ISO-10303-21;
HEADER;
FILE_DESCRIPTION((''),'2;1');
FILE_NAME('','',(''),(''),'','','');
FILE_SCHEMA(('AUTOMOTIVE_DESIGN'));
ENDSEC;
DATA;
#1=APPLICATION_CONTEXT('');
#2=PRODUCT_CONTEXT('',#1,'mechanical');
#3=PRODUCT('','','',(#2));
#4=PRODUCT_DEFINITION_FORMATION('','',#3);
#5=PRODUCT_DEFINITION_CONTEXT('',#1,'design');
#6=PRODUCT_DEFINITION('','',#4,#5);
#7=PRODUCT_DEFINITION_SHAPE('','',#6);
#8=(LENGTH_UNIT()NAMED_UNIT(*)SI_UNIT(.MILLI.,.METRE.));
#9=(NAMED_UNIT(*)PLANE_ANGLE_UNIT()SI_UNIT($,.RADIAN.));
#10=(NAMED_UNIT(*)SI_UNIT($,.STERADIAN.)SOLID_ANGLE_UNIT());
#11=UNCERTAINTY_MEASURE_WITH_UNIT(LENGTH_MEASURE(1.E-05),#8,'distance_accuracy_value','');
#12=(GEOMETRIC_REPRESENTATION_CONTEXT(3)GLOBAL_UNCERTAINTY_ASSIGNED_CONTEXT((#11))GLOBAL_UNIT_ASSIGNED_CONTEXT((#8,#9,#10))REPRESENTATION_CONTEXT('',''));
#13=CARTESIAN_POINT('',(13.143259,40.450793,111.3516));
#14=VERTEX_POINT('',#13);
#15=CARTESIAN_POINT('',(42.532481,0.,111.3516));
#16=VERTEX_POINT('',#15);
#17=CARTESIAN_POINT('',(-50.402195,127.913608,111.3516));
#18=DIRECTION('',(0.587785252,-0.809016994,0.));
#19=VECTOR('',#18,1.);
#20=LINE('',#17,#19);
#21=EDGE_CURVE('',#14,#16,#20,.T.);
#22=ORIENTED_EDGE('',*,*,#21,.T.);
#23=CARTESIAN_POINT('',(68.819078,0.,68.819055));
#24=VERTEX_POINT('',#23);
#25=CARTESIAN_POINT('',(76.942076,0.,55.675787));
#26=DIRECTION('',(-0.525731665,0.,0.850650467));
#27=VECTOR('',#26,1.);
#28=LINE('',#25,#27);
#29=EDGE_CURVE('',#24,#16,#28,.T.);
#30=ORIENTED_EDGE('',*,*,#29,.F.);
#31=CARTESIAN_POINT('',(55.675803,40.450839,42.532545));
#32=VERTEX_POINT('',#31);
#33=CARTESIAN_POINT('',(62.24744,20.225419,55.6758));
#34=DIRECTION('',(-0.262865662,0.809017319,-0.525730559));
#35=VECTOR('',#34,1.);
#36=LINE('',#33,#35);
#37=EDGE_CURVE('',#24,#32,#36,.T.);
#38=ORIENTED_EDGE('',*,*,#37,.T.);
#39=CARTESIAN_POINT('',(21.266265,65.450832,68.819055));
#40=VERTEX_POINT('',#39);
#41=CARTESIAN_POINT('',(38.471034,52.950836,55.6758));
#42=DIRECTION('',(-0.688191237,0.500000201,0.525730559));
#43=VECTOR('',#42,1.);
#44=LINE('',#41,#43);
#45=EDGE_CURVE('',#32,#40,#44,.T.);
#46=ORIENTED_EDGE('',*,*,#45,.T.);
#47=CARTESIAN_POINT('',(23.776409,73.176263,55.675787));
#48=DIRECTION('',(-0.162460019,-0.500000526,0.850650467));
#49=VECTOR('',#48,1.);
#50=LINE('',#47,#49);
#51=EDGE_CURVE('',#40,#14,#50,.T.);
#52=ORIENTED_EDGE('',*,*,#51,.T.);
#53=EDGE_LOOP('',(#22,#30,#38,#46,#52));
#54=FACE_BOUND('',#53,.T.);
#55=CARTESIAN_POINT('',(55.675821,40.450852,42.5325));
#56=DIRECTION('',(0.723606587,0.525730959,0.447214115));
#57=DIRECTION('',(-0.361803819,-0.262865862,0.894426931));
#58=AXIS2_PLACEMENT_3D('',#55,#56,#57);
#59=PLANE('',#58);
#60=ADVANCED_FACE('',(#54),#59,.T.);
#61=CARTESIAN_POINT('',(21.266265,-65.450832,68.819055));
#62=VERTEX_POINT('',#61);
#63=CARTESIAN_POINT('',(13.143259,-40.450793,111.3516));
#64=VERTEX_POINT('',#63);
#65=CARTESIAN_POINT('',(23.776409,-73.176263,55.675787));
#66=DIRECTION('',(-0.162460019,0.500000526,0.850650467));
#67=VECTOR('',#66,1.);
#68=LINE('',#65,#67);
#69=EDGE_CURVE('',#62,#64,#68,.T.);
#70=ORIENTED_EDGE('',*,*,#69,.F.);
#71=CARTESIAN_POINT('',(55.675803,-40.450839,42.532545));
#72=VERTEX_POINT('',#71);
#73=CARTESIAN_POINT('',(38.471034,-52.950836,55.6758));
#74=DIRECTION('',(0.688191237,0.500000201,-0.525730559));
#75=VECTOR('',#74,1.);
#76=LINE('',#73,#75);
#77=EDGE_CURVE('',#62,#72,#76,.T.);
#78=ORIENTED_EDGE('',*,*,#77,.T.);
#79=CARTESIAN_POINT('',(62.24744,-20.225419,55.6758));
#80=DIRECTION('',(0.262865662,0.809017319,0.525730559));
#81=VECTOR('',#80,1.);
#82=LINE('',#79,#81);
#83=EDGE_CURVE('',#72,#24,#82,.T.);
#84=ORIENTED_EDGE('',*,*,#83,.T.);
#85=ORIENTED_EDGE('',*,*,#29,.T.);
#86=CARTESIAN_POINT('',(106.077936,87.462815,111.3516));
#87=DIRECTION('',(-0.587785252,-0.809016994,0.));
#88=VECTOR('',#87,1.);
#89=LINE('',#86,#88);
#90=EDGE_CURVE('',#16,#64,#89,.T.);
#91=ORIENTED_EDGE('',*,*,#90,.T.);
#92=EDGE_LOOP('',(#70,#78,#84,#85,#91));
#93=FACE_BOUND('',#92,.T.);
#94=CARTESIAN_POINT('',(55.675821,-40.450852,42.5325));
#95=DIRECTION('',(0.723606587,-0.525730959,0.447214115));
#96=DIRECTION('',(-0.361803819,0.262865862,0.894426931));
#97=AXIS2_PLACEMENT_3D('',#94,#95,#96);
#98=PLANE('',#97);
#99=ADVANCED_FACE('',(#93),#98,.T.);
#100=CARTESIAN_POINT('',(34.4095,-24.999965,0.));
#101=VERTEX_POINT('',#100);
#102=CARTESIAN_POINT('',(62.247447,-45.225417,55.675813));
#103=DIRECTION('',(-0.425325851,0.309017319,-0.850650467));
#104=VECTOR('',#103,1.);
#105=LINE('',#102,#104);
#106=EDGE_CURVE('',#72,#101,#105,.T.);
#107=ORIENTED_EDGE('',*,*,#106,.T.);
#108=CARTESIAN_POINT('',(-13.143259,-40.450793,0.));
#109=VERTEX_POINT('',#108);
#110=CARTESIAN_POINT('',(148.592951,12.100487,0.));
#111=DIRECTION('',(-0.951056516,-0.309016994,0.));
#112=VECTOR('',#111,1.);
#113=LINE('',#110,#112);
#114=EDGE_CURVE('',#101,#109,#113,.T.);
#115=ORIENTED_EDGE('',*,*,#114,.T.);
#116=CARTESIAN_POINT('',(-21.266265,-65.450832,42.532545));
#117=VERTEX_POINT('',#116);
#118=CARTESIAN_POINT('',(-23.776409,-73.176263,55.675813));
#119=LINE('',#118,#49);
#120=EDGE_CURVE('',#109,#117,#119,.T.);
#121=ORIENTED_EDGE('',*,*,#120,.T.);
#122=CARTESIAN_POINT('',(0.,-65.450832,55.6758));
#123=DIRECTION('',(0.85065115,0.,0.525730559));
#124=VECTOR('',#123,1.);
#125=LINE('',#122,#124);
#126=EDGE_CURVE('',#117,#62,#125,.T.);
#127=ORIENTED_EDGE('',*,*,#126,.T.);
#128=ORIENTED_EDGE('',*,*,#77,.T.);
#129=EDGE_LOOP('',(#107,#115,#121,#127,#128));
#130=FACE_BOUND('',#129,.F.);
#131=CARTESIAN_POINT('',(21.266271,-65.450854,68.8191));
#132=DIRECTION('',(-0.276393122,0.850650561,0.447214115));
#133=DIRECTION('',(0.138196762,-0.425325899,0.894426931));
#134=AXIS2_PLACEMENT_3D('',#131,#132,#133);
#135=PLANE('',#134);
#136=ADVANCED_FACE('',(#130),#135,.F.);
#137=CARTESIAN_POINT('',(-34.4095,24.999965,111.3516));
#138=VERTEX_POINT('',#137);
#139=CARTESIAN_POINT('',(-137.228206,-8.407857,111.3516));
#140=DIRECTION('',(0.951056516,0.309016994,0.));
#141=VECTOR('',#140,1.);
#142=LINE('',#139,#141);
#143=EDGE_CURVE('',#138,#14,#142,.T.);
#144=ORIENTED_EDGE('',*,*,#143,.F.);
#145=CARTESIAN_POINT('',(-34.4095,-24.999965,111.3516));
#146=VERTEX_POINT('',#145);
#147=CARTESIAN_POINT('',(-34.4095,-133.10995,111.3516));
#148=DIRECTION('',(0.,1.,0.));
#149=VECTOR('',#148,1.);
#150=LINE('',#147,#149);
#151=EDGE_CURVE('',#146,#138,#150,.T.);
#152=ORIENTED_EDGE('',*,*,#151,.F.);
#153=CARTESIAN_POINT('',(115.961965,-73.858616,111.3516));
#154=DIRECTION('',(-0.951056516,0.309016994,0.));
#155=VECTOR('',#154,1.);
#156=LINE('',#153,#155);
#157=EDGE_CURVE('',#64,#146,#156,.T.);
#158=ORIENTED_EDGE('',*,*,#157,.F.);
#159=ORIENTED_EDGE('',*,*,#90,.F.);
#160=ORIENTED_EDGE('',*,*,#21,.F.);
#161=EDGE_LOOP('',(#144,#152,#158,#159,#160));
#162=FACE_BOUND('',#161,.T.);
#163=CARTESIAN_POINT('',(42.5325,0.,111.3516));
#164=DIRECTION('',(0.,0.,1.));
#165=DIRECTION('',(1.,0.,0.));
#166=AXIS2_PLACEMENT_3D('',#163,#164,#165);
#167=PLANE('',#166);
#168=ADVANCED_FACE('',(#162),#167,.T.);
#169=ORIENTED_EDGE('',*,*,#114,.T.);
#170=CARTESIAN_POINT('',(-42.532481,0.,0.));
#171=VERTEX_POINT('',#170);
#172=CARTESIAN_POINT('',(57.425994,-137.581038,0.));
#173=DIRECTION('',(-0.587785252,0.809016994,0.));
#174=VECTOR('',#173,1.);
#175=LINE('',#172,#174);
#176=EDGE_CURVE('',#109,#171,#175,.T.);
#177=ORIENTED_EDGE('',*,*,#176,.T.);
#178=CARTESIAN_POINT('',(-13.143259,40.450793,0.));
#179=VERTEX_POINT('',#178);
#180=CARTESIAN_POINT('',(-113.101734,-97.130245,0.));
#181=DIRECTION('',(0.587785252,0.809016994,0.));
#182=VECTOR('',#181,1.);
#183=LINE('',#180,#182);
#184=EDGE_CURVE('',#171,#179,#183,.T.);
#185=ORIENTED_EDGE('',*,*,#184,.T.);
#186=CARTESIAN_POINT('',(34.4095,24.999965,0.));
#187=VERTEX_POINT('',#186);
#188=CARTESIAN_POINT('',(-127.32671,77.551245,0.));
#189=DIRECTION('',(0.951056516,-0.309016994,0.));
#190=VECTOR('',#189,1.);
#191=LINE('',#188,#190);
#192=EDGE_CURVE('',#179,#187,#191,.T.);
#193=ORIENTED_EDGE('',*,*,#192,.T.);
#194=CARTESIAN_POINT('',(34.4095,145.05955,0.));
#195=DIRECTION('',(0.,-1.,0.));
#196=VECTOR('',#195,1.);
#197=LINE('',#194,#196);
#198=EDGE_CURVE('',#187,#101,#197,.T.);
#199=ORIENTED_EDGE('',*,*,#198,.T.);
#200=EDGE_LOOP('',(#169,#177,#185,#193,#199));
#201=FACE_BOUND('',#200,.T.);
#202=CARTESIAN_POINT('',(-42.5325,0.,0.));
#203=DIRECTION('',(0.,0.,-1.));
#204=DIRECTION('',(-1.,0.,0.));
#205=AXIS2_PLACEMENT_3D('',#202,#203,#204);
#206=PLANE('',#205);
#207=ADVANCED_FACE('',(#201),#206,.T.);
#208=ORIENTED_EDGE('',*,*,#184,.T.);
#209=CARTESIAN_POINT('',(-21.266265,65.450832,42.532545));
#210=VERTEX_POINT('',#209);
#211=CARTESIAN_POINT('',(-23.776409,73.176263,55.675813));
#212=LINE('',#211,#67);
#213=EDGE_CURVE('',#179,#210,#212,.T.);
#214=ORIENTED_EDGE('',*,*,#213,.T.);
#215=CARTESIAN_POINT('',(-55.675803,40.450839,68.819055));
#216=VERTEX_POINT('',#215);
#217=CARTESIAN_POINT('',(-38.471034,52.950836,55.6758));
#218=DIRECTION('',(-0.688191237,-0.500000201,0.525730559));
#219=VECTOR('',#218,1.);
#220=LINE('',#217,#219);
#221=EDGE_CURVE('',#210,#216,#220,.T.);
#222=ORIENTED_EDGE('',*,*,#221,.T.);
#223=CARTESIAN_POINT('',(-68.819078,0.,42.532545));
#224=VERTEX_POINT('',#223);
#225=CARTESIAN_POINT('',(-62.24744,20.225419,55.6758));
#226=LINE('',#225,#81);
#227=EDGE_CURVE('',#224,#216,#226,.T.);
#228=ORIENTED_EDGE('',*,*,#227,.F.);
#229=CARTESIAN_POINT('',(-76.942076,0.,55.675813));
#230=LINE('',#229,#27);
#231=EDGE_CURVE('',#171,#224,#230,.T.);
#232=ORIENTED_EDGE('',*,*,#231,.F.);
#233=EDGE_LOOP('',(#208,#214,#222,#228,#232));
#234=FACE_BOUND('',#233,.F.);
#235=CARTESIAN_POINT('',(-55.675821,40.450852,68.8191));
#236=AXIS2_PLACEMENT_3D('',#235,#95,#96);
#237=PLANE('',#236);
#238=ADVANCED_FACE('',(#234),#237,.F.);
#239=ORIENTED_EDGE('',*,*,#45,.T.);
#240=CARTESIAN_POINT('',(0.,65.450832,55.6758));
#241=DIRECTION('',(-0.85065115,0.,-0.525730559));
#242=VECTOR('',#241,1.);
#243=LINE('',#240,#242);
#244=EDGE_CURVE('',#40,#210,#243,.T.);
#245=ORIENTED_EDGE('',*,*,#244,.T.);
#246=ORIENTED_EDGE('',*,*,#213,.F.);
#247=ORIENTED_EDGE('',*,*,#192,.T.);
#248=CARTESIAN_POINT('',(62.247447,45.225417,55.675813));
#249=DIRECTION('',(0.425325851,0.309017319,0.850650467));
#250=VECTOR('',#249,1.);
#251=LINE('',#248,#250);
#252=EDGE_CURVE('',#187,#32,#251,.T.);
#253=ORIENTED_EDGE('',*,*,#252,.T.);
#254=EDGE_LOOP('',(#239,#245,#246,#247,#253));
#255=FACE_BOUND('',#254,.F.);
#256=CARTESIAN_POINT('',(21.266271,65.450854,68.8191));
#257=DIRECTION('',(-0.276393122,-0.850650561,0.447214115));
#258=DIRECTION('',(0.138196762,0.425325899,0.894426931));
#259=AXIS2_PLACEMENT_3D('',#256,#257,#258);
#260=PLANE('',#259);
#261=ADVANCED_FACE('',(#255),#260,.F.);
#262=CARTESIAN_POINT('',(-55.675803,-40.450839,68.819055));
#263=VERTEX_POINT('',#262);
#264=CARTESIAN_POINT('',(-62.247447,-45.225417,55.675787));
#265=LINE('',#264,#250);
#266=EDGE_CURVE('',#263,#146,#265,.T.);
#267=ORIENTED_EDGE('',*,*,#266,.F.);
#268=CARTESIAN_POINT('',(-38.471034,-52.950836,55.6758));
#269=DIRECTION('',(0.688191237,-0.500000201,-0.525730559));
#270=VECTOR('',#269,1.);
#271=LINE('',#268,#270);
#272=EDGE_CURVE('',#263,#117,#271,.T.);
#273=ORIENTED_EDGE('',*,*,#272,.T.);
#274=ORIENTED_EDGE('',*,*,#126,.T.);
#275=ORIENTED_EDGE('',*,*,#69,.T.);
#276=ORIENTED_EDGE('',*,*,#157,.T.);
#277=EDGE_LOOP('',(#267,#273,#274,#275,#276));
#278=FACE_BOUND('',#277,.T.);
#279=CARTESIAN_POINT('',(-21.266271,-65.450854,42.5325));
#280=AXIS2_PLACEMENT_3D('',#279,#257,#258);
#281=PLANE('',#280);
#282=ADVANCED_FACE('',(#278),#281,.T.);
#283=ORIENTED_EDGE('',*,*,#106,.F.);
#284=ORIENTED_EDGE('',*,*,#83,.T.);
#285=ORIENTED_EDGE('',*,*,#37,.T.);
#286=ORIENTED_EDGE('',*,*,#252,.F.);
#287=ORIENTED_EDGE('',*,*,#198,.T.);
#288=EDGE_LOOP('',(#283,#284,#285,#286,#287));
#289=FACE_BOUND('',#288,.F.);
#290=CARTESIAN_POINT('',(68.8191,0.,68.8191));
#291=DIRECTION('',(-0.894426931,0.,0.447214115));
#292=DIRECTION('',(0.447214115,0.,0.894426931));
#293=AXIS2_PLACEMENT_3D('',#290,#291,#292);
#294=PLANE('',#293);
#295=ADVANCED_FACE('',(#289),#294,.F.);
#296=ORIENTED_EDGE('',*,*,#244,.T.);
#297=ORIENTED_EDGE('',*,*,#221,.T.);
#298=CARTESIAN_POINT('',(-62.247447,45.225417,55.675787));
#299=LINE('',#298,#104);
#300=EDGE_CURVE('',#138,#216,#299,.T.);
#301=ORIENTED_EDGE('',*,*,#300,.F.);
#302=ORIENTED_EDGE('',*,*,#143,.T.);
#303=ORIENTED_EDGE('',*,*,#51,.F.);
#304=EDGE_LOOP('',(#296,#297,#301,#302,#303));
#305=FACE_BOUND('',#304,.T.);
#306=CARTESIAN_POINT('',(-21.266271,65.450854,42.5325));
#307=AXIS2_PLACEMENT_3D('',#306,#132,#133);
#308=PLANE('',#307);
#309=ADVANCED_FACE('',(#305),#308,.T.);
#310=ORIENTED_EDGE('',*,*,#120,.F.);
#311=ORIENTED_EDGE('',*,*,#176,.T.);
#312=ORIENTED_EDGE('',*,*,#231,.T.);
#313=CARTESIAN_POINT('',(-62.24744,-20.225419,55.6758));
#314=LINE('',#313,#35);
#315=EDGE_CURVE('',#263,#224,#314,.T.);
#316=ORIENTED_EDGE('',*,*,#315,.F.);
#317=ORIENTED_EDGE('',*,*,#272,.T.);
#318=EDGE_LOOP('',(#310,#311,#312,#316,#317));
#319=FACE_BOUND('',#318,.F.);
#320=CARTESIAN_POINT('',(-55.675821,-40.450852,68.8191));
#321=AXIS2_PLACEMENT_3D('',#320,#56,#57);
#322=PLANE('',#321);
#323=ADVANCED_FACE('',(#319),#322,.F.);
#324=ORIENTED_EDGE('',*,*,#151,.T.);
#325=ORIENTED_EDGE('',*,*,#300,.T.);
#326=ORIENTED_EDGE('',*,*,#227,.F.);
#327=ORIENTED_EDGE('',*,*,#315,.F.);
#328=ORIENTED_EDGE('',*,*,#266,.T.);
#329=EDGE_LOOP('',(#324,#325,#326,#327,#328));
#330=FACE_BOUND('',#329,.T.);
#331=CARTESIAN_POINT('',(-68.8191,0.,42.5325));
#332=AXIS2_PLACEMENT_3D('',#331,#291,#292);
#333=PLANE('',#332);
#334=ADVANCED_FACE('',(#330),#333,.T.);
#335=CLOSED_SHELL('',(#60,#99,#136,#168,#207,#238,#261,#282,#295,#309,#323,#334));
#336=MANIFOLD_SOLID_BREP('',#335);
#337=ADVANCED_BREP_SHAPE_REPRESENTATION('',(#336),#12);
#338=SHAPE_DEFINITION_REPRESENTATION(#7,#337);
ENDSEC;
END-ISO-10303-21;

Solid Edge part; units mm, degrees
sketch "Sketch1" plane through (0, 0, 0) normal (0, -1, 0) x (1, 0, 0)
  line L0 (0, -44.3242) -> (0, 155.6758)
  arc A0 (0, 155.6758) -> (0, -44.3242) centre (0, 55.6758) cw
revolve "RevolvedProtrusion1" add sketch "Sketch1" angle 360 about axis through (0, 0, -14.3871) along (0, 0, 1)
sketch "Sketch2" plane through (0, 0, 0) normal (0, -1, 0) x (1, 0, 0)
  line L0 (68.8191, 68.8191) -> (34.4095, 0)
  line L1 (34.4095, 0) -> (-42.5325, 0)
extrude "Cutout1" cut sketch "Sketch2" along normal mid plane 290.1191 material side at (51.659, 0, 34.3872)
sketch "Sketch3" plane through (0, 0, 0) normal (0, -1, 0) x (1, 0, 0)
  line L0 (-34.4095, 111.3516) -> (42.5325, 111.3516)
  line L1 (-68.8191, 42.5325) -> (-34.4095, 111.3516)
extrude "Cutout_2" cut sketch "Sketch3" along normal mid plane 266.2199 material side at (4.0615, 0, 111.4016)
pattern_circular "Pattern1" count 5 over 360 about axis through (0, 0, 0) along (0, 0, 1) of "Cutout1", "Cutout_2"
